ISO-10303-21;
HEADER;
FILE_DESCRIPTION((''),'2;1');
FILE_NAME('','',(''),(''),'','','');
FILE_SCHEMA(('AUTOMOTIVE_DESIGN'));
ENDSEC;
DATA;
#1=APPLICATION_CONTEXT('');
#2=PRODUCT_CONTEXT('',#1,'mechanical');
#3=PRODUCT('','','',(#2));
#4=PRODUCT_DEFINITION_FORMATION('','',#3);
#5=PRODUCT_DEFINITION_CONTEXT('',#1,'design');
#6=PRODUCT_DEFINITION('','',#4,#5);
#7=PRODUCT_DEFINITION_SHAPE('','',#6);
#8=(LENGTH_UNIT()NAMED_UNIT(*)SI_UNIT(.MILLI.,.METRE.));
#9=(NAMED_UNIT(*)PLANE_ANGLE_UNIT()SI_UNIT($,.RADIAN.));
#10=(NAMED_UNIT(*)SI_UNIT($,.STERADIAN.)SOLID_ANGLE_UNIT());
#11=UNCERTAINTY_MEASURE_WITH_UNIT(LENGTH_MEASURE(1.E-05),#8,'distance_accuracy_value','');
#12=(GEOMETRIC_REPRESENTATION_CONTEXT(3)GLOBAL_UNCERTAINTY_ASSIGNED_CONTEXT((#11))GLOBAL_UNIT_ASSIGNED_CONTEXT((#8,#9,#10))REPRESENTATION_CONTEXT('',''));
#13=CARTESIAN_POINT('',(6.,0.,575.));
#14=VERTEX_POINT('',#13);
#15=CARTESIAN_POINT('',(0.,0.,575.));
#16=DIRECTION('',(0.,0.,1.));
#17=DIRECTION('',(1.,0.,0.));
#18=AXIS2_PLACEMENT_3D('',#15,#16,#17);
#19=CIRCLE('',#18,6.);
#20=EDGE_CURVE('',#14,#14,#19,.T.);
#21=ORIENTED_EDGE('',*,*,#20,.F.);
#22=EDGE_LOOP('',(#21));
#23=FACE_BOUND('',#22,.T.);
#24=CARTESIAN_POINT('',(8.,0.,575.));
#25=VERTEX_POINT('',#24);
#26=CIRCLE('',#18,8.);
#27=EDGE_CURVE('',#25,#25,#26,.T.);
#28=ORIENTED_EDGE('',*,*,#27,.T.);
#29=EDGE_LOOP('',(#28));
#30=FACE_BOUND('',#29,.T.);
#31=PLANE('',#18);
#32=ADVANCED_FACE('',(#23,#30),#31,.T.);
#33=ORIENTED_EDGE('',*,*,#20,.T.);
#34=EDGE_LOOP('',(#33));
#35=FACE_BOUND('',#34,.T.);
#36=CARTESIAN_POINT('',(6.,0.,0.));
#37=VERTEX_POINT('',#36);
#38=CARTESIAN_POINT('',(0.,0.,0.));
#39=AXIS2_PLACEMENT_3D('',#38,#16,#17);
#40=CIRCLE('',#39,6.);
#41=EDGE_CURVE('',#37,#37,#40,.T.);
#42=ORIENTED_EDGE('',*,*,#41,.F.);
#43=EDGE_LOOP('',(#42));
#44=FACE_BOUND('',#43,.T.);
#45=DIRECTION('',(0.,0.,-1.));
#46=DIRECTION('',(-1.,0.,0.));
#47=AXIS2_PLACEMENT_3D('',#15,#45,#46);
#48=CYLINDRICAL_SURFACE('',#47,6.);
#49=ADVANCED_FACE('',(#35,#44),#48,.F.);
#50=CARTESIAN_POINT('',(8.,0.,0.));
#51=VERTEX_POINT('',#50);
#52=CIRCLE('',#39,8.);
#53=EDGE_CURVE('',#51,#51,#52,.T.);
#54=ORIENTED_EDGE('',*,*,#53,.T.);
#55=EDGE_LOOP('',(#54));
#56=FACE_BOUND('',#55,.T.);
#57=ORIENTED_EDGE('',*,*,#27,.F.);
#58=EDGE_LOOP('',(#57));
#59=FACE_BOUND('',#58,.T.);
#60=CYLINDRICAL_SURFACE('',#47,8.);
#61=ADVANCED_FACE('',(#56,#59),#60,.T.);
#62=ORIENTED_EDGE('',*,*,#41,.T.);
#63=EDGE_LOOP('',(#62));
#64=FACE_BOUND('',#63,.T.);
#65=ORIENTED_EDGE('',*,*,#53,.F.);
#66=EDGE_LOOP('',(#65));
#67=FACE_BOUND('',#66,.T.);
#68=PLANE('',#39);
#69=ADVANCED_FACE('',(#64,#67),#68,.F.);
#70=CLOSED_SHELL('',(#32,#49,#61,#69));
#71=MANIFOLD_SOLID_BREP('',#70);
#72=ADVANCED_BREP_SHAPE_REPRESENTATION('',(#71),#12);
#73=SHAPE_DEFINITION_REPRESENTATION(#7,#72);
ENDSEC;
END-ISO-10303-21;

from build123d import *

# Parameters (mm, degrees)
SKETCH_1_R      = 8
SKETCH_1_R_2    = 6
EXTRUDE_1_DEPTH = 575


with BuildPart() as part:
    # 草图1 → 凸台-拉伸1 (new body)
    with BuildSketch(Plane.XY):
        Circle(SKETCH_1_R)
        Circle(SKETCH_1_R_2, mode=Mode.SUBTRACT)
    extrude(amount=EXTRUDE_1_DEPTH)


solid = part.part
